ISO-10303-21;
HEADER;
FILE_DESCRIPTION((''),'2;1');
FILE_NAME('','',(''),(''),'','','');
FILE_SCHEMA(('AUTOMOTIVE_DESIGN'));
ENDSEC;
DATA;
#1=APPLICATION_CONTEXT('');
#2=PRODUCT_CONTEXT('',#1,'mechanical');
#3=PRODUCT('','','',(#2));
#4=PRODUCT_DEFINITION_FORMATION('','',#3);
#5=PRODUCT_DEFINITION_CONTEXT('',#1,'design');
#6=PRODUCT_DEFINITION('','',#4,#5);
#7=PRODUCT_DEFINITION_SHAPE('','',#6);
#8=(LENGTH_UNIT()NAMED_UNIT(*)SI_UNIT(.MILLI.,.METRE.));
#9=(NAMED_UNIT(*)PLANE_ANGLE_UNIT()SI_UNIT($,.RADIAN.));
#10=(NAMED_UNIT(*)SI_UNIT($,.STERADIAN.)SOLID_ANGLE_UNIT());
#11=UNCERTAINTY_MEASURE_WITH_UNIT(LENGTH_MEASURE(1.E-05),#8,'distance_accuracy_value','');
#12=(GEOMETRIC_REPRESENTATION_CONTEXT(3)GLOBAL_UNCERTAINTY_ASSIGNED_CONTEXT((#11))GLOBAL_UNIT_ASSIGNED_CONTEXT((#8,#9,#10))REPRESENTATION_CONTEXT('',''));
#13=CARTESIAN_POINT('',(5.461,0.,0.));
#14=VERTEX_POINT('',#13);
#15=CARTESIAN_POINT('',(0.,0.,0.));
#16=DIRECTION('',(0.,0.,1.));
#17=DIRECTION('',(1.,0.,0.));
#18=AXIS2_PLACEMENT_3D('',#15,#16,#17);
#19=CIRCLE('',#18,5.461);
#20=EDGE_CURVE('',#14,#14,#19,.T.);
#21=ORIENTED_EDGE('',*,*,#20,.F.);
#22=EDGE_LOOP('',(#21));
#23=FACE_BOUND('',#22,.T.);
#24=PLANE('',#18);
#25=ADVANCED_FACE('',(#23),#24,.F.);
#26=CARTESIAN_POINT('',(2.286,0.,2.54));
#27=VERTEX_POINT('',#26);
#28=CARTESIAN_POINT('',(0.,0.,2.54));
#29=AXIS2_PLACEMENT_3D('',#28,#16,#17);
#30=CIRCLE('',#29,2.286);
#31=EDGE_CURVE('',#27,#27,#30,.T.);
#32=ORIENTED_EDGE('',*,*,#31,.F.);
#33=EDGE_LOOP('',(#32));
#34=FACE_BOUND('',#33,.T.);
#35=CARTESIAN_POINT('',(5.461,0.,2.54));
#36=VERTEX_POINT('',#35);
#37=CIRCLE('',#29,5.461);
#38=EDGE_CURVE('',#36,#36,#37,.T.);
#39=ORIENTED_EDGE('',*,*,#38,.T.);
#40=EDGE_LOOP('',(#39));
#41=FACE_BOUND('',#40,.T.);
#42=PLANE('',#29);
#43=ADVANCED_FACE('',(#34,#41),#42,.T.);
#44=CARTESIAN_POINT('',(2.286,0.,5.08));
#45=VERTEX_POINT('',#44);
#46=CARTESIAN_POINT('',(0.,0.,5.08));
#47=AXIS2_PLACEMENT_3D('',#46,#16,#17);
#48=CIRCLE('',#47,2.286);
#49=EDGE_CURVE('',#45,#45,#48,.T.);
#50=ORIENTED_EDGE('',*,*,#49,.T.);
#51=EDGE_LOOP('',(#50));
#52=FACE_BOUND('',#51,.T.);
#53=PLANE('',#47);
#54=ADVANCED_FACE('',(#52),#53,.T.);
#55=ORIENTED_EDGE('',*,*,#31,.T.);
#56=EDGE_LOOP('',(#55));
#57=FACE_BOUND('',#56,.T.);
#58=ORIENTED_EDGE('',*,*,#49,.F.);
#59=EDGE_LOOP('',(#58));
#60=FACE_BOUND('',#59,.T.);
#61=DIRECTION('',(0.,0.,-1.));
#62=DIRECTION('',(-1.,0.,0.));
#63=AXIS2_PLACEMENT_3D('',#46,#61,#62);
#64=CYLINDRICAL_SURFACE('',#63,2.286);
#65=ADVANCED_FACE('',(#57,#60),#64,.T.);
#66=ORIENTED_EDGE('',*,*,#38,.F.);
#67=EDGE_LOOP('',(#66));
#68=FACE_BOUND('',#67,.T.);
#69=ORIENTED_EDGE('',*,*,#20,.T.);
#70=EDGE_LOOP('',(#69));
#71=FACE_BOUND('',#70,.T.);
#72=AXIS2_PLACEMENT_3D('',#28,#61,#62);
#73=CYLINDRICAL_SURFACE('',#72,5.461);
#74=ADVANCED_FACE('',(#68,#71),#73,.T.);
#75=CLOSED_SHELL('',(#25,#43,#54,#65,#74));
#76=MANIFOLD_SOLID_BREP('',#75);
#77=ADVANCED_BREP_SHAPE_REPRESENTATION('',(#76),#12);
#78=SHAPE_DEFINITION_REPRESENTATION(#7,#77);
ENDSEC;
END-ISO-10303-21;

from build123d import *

# Parameters (mm, degrees)
SKETCH1_R           = 5.461
BOSS_EXTRUDE1_DEPTH = 2.54
SKETCH2_R           = 2.286
BOSS_EXTRUDE2_DEPTH = 2.54


with BuildPart() as part:
    # Sketch1 → Boss-Extrude1 (new body)
    with BuildSketch(Plane.XY):
        Circle(SKETCH1_R)
    extrude(amount=BOSS_EXTRUDE1_DEPTH)

    # Sketch2 → Boss-Extrude2 (add)
    with BuildSketch(Plane.XY.offset(2.54)):
        Circle(SKETCH2_R)
    extrude(amount=BOSS_EXTRUDE2_DEPTH)


solid = part.part
